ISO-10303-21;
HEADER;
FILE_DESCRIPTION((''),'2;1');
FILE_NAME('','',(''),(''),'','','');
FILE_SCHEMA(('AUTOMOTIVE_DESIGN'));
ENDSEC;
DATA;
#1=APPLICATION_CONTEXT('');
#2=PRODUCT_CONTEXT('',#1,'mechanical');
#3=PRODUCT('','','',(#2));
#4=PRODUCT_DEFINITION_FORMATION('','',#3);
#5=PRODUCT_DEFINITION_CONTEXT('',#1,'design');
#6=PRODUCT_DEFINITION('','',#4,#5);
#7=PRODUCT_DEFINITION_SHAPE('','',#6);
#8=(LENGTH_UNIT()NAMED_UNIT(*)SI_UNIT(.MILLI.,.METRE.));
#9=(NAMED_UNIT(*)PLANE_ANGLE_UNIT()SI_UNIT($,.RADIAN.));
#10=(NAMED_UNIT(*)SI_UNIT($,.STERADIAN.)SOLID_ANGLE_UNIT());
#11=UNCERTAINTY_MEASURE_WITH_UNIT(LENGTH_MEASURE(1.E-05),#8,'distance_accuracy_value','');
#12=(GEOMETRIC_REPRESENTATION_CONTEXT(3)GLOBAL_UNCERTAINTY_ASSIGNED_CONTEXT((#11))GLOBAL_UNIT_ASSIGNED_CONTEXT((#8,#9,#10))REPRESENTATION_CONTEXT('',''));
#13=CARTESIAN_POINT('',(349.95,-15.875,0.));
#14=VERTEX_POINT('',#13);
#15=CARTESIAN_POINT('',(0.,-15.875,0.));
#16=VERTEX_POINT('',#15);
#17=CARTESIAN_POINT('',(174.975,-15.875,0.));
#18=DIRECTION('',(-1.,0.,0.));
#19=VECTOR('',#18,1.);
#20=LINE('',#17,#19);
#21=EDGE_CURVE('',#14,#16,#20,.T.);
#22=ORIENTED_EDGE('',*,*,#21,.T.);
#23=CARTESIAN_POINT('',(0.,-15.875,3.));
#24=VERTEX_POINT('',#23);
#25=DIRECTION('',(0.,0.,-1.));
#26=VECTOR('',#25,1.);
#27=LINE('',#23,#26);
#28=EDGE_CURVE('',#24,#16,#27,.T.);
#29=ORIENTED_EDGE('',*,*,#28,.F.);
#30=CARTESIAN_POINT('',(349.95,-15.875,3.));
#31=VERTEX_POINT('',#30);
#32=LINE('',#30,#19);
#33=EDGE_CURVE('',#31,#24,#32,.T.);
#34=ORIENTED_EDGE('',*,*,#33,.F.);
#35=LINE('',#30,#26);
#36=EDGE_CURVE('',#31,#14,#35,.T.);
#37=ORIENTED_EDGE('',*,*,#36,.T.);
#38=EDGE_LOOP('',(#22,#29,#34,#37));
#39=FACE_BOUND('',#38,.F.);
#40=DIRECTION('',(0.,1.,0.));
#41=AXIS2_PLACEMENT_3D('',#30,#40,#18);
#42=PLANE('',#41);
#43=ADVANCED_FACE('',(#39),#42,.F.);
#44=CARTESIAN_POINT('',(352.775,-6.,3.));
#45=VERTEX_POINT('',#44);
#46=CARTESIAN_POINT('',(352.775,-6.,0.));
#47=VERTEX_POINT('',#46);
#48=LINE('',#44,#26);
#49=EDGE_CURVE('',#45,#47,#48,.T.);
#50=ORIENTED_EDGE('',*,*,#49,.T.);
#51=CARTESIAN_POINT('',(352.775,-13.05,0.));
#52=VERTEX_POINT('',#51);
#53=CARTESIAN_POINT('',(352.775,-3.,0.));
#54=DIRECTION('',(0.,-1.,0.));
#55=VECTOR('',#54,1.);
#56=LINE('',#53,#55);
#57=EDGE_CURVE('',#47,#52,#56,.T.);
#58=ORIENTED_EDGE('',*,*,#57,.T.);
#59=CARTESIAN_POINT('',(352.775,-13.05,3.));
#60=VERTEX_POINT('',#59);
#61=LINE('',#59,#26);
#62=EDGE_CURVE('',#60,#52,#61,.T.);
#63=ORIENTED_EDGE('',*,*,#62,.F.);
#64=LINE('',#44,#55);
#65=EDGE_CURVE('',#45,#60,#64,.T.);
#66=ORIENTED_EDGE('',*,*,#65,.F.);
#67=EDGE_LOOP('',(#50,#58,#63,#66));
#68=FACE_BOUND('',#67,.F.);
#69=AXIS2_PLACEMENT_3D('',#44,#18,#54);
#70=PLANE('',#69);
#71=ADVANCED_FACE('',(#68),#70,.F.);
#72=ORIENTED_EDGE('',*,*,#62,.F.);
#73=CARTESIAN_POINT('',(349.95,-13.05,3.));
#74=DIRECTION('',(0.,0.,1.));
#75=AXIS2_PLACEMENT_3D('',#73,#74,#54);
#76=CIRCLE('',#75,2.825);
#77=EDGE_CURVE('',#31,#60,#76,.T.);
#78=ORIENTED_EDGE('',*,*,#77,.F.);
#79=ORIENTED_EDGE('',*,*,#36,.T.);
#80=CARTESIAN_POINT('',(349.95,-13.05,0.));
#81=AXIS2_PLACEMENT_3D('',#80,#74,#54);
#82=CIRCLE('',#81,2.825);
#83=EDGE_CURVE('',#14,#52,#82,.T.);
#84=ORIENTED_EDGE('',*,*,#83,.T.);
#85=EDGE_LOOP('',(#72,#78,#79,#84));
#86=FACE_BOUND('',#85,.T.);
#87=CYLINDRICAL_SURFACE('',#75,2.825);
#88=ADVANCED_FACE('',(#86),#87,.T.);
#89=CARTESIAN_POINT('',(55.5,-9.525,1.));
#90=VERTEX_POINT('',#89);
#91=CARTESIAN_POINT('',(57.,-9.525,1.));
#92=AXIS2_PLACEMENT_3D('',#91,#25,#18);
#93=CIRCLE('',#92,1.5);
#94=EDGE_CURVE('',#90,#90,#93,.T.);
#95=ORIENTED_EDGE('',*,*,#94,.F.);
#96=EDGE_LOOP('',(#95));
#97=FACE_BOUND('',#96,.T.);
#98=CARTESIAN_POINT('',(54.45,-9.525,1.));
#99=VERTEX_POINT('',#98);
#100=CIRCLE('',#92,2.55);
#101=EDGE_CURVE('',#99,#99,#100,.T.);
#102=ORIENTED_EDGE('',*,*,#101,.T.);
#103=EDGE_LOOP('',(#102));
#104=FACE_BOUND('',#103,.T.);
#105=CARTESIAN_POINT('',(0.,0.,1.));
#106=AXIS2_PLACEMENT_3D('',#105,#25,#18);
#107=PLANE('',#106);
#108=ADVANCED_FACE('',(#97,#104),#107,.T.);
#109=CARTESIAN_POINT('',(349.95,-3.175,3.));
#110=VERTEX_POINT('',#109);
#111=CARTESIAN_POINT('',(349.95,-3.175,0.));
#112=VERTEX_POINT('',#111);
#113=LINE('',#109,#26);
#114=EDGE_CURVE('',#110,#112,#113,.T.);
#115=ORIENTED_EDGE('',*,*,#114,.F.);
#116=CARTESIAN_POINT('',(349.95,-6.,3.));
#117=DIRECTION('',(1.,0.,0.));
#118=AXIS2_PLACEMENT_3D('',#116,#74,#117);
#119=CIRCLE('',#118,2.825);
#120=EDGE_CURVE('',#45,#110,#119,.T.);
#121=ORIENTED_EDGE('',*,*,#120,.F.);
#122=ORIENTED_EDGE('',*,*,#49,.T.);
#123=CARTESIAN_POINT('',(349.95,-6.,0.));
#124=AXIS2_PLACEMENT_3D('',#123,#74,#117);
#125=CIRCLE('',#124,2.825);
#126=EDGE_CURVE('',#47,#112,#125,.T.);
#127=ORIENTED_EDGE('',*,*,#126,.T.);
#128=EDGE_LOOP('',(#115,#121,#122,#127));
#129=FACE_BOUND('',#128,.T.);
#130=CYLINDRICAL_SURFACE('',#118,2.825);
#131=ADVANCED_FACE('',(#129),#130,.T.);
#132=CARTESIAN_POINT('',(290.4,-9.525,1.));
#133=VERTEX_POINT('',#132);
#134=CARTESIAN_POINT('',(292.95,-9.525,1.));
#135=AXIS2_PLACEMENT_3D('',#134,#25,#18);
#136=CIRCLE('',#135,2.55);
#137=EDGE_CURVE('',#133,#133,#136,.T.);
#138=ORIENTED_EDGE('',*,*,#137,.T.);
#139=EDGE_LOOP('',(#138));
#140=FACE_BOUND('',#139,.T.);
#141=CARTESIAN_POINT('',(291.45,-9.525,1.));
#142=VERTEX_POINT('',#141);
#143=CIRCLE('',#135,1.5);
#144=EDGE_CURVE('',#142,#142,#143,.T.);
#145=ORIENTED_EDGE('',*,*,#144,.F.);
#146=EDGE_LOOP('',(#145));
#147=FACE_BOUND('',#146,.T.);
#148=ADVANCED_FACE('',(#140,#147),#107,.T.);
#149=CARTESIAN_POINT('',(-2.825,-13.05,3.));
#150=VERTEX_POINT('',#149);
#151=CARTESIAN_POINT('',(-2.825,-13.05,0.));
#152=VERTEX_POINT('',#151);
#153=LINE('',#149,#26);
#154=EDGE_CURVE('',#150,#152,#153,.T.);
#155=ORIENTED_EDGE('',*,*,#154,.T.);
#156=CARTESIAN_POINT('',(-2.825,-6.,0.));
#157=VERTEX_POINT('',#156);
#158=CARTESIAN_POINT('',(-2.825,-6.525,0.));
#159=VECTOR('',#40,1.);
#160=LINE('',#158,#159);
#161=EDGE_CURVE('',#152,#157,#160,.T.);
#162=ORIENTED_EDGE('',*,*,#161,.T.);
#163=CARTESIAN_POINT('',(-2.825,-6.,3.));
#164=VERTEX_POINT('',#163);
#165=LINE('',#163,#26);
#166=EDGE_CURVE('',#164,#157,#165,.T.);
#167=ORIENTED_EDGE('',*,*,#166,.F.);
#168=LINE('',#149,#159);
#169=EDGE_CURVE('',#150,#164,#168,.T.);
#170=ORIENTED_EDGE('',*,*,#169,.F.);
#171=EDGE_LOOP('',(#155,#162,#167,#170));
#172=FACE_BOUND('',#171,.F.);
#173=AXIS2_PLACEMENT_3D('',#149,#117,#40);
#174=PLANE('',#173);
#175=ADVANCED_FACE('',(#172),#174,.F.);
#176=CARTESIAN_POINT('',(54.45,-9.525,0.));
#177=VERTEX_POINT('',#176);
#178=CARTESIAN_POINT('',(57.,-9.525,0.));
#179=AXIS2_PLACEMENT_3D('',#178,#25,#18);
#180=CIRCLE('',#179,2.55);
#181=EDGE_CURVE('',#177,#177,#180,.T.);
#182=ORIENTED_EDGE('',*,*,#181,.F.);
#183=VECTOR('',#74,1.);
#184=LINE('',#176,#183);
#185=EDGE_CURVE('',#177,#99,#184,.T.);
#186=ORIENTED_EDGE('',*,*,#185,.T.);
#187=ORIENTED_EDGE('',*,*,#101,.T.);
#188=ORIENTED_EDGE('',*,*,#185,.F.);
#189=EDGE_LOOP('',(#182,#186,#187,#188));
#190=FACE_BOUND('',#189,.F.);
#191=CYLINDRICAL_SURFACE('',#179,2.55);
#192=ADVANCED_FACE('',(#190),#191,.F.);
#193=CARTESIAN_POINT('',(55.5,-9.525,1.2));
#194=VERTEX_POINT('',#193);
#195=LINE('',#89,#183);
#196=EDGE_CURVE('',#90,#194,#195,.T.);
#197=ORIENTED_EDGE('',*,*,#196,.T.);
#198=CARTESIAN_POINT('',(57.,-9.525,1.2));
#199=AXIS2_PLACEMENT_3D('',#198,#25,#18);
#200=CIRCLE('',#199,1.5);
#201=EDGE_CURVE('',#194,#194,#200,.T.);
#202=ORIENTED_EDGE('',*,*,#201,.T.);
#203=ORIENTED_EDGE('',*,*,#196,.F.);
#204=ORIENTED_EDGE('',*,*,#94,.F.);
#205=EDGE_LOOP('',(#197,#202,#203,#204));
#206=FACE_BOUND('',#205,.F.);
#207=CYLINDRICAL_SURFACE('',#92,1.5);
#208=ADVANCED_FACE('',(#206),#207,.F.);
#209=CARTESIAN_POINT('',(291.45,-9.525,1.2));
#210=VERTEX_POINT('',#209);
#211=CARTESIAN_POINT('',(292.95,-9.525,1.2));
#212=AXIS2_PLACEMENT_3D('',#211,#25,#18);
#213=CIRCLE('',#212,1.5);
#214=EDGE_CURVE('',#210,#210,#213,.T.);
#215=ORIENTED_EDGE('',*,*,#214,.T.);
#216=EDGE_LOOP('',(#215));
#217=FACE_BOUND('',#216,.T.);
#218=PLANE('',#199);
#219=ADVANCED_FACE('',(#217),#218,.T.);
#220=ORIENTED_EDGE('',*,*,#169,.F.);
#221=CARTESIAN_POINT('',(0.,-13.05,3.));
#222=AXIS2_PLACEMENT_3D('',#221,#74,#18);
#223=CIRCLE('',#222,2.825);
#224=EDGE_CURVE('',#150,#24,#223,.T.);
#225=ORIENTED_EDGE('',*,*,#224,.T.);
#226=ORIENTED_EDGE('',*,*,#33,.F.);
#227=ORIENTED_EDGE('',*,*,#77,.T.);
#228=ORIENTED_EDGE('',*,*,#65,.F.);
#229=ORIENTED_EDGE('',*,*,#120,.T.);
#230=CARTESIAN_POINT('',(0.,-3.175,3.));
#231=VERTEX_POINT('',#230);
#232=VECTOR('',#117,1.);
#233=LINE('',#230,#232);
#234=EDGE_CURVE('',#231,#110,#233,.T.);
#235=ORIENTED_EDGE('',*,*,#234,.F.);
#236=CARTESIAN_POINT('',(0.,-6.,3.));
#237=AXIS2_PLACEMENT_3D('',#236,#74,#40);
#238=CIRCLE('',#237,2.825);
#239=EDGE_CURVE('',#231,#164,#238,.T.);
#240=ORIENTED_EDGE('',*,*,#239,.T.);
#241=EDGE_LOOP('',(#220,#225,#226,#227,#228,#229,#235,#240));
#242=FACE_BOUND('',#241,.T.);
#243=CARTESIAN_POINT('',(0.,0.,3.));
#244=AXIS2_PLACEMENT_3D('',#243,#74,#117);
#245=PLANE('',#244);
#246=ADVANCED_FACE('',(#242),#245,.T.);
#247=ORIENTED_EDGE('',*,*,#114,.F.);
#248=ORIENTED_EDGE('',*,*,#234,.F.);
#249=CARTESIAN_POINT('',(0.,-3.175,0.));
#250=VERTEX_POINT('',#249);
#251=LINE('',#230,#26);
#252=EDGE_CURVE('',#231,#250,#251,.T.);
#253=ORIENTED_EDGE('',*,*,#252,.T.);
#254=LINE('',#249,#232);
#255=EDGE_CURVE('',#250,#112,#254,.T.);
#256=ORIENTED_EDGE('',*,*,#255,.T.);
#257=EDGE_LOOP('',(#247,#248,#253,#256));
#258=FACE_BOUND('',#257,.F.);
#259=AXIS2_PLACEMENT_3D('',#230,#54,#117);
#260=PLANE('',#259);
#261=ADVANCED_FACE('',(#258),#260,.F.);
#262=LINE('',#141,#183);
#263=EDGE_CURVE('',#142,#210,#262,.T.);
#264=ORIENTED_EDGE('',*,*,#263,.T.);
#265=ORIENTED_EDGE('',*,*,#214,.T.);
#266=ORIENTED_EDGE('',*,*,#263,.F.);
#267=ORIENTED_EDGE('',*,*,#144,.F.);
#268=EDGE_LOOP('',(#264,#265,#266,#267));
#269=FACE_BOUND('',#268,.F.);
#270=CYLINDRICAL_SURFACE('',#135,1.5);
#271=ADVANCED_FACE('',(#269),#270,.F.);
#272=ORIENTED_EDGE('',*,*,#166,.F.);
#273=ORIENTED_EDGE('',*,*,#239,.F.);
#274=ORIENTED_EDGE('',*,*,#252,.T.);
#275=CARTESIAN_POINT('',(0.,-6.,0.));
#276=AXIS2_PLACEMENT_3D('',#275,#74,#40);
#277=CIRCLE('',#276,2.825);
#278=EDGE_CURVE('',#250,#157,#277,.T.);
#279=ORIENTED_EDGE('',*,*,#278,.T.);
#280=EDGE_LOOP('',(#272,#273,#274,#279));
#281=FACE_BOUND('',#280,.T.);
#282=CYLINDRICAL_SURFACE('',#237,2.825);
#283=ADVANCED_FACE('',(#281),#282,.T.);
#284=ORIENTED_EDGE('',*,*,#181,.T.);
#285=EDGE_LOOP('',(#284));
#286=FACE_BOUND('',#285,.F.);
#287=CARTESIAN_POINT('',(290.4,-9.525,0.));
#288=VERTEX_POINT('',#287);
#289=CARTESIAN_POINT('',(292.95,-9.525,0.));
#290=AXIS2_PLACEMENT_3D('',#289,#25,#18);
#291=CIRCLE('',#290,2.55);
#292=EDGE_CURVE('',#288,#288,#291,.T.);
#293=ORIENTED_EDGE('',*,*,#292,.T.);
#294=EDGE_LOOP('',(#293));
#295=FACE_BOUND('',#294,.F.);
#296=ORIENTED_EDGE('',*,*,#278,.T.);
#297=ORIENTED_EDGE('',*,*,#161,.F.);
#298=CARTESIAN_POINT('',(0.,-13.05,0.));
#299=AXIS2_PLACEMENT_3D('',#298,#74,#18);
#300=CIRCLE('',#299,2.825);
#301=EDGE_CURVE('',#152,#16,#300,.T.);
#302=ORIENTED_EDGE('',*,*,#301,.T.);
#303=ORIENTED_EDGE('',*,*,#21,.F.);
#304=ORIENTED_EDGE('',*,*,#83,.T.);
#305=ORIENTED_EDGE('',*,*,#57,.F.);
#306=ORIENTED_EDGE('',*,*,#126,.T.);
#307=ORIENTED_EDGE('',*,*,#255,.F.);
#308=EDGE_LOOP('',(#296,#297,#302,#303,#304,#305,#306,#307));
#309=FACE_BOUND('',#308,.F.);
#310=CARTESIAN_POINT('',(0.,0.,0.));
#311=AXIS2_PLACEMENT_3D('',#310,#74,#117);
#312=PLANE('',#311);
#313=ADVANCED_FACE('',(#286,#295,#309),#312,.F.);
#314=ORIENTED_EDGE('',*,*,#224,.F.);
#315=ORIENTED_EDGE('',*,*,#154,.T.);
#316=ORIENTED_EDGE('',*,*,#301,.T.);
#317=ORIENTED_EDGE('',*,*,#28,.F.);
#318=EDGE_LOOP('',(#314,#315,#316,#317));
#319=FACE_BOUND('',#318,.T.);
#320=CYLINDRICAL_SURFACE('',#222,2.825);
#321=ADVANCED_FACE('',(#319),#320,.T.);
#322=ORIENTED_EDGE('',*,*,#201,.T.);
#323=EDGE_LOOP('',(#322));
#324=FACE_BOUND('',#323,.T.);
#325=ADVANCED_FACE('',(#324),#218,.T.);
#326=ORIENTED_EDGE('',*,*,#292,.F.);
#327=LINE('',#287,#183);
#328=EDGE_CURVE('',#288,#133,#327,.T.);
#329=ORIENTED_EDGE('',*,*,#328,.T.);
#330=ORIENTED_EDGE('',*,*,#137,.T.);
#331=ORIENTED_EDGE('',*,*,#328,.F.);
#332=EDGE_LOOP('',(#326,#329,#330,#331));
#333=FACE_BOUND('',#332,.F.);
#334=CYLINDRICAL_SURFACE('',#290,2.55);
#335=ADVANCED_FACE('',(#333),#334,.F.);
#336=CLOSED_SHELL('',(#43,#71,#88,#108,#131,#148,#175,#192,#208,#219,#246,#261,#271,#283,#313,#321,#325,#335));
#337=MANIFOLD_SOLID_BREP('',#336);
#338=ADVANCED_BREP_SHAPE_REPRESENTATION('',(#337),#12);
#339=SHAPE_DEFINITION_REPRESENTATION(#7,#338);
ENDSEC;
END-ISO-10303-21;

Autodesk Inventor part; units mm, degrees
ref_plane "YZ Plane" through (0, 0, 0) normal (1, 0, 0) x (0, 1, 0)
ref_plane "XZ Plane" through (0, 0, 0) normal (0, 1, 0) x (-1, 0, 0)
ref_plane "XY Plane" through (0, 0, 0) normal (0, 0, 1) x (1, 0, 0)
sketch "Sketch1" plane through (0, 0, 0) normal (0, 0, 1) x (1, 0, 0)
  line L0 (0, -3) -> (349.95, -3)
  line L1 (352.95, -6) -> (352.95, -13.05)
  line L2 (349.95, -16.05) -> (0, -16.05)
  line L3 (-3, -13.05) -> (-3, -6)
  arc A0 (352.95, -6) -> (349.95, -3) centre (349.95, -6) ccw
  arc A1 (349.95, -16.05) -> (352.95, -13.05) centre (349.95, -13.05) ccw
  arc A2 (0, -3) -> (-3, -6) centre (0, -6) ccw
  arc A3 (-3, -13.05) -> (0, -16.05) centre (0, -13.05) ccw
  point P0 (0, 0)
  point P1 (-6, -19.05)
  dimension "d0" = 3
extrude "Extrusion1" add sketch "Sketch1" along normal blind 3
sketch "Sketch2" plane through (0, 0, 3) normal (0, 0, 1) x (1, 0, 0)
  line L0 (-3, -3) -> (352.95, -3)
  line L1 (352.95, -3) -> (352.95, -16.05)
  line L2 (352.95, -16.05) -> (-3, -16.05)
  line L3 (-3, -16.05) -> (-3, -3)
  line L4 (174.975, -9.525) -> (174.975, -13.6338)
  line L5 (33.6, -9.525) -> (316.35, -9.525) construction
  line L6 (33.6, -11.025) -> (316.35, -11.025)
  line L7 (316.35, -8.025) -> (33.6, -8.025)
  arc A0 (33.6, -8.025) -> (33.6, -11.025) centre (33.6, -9.525) ccw
  arc A1 (316.35, -11.025) -> (316.35, -8.025) centre (316.35, -9.525) ccw
  point P0 (0, 0)
  dimension "d4" = 3
sketch "Sketch3" plane through (0, 0, 0) normal (0, 0, -1) x (-1, 0, 0)
  line L0 (-352.95, -3) -> (3, -3)
  line L1 (3, -3) -> (3, -16.05)
  line L2 (3, -16.05) -> (-352.95, -16.05)
  line L3 (-352.95, -16.05) -> (-352.95, -3)
  line L4 (0, -16.05) -> (-349.95, -16.05)
  line L5 (-352.95, -3) -> (-322.95, -3)
  line L6 (-322.95, -3) -> (-322.95, -16.05)
  line L7 (-322.95, -16.05) -> (-352.95, -16.05)
  line L8 (-352.95, -16.05) -> (-352.95, -3)
  line L9 (3, -3) -> (-27, -3)
  line L10 (-27, -3) -> (-27, -16.05)
  line L11 (-27, -16.05) -> (3, -16.05)
  line L12 (3, -16.05) -> (3, -3)
  line L13 (-322.95, -3) -> (-322.95, -9.525)
  line L14 (-322.95, -9.525) -> (-27, -9.525)
  line L15 (-322.95, -9.525) -> (-292.95, -9.525)
  line L16 (-27, -9.525) -> (-57, -9.525)
  circle A0 centre (-292.95, -9.525) radius 2.5
  circle A1 centre (-57, -9.525) radius 2.5
  line L17 (-290.45, -9.525) -> (-285.45, -9.525)
  line L18 (-352.95, -3) -> (3, -3)
  line L19 (3, -3) -> (3, -16.05)
  line L20 (3, -16.05) -> (-352.95, -16.05)
  line L21 (-352.95, -16.05) -> (-352.95, -3)
  point P0 (0, 0)
  point P1 (-355.95, -19.05)
  dimension "d7" = 30
  dimension "d8" = 30
  dimension "d9" = 6.525
  dimension "d10" = 30
  dimension "d11" = 30
  dimension "d12" = 5
  dimension "d13" = 5
extrude "Extrusion3" cut sketch "Sketch3" against normal blind 1 contours A0 L14 | L14 A0 | A1 L14 | L14 A1
sketch "Sketch4" plane through (57, -9.525, 1) normal (0, 0, -1) x (-1, 0, 0)
  circle A0 centre (0, 0) radius 2.5
  circle A1 centre (-235.95, 0) radius 2.5 projected
  circle A2 centre (-235.95, 0) radius 2.5
  circle A3 centre (-235.95, 0) radius 1.5
  circle A4 centre (0, 0) radius 1.5
  point P0 (57, 9.525)
  dimension "d16" = 1
  dimension "d17" = 1
extrude "Extrusion4" cut sketch "Sketch4" against normal blind 0.2 contours A3 | A4
sketch "Sketch5" plane through (0, 0, 3) normal (0, 0, 1) x (1, 0, 0)
  line L0 (352.95, -13.05) -> (352.95, -6) projected
  arc A0 (352.95, -6) -> (349.95, -3) centre (349.95, -6) ccw projected
  line L1 (349.95, -3) -> (0, -3) projected
  arc A1 (0, -3) -> (-3, -6) centre (0, -6) ccw projected
  line L2 (-3, -6) -> (-3, -13.05) projected
  arc A2 (-3, -13.05) -> (0, -16.05) centre (0, -13.05) ccw projected
  line L3 (0, -16.05) -> (349.95, -16.05) projected
  arc A3 (349.95, -16.05) -> (352.95, -13.05) centre (349.95, -13.05) ccw projected
  line L4 (0, -2.975) -> (349.95, -2.975)
  arc A4 (352.975, -6) -> (349.95, -2.975) centre (349.95, -6) ccw
  line L5 (352.975, -6) -> (352.975, -13.05)
  arc A5 (349.95, -16.075) -> (352.975, -13.05) centre (349.95, -13.05) ccw
  line L6 (349.95, -16.075) -> (0, -16.075)
  arc A6 (-3.025, -13.05) -> (0, -16.075) centre (0, -13.05) ccw
  line L7 (-3.025, -13.05) -> (-3.025, -6)
  arc A7 (0, -2.975) -> (-3.025, -6) centre (0, -6) ccw
  point P0 (0, 0)
  dimension "d20" = 0.025
extrude "Extrusion5" add sketch "Sketch5" against normal up to surface (3 mm away)
sketch "Sketch6" plane through (0, 0, 3) normal (0, 0, 1) x (1, 0, 0)
  line L0 (352.975, -13.05) -> (352.975, -6) projected
  arc A0 (352.975, -6) -> (349.95, -2.975) centre (349.95, -6) ccw projected
  line L1 (349.95, -2.975) -> (0, -2.975) projected
  arc A1 (0, -2.975) -> (-3.025, -6) centre (0, -6) ccw projected
  line L2 (-3.025, -6) -> (-3.025, -13.05) projected
  arc A2 (-3.025, -13.05) -> (0, -16.075) centre (0, -13.05) ccw projected
  line L3 (0, -16.075) -> (349.95, -16.075) projected
  arc A3 (349.95, -16.075) -> (352.975, -13.05) centre (349.95, -13.05) ccw projected
  line L4 (0, -3.175) -> (349.95, -3.175)
  arc A4 (352.775, -6) -> (349.95, -3.175) centre (349.95, -6) ccw
  line L5 (352.775, -6) -> (352.775, -13.05)
  arc A5 (349.95, -15.875) -> (352.775, -13.05) centre (349.95, -13.05) ccw
  line L6 (349.95, -15.875) -> (0, -15.875)
  arc A6 (-2.825, -13.05) -> (0, -15.875) centre (0, -13.05) ccw
  line L7 (-2.825, -13.05) -> (-2.825, -6)
  arc A7 (0, -3.175) -> (-2.825, -6) centre (0, -6) ccw
  point P0 (0, 0)
  dimension "d23" = 0.2
extrude "Extrusion6" cut sketch "Sketch6" against normal blind 10
sketch "Sketch7" plane through (0, 0, 0) normal (0, 0, -1) x (-1, 0, 0)
  circle A0 centre (-57, -9.525) radius 1.5 projected
  circle A1 centre (-57, -9.525) radius 2.55
  circle A2 centre (-292.95, -9.525) radius 1.5 projected
  circle A3 centre (-292.95, -9.525) radius 2.55
  point P0 (0, 0)
  dimension "d26" = 5.1
  dimension "d27" = 5.1
extrude "Extrusion7" cut sketch "Sketch7" against normal up to surface (1 mm away)
properties part number "2021-01-008" material "Aluminum 6061"
